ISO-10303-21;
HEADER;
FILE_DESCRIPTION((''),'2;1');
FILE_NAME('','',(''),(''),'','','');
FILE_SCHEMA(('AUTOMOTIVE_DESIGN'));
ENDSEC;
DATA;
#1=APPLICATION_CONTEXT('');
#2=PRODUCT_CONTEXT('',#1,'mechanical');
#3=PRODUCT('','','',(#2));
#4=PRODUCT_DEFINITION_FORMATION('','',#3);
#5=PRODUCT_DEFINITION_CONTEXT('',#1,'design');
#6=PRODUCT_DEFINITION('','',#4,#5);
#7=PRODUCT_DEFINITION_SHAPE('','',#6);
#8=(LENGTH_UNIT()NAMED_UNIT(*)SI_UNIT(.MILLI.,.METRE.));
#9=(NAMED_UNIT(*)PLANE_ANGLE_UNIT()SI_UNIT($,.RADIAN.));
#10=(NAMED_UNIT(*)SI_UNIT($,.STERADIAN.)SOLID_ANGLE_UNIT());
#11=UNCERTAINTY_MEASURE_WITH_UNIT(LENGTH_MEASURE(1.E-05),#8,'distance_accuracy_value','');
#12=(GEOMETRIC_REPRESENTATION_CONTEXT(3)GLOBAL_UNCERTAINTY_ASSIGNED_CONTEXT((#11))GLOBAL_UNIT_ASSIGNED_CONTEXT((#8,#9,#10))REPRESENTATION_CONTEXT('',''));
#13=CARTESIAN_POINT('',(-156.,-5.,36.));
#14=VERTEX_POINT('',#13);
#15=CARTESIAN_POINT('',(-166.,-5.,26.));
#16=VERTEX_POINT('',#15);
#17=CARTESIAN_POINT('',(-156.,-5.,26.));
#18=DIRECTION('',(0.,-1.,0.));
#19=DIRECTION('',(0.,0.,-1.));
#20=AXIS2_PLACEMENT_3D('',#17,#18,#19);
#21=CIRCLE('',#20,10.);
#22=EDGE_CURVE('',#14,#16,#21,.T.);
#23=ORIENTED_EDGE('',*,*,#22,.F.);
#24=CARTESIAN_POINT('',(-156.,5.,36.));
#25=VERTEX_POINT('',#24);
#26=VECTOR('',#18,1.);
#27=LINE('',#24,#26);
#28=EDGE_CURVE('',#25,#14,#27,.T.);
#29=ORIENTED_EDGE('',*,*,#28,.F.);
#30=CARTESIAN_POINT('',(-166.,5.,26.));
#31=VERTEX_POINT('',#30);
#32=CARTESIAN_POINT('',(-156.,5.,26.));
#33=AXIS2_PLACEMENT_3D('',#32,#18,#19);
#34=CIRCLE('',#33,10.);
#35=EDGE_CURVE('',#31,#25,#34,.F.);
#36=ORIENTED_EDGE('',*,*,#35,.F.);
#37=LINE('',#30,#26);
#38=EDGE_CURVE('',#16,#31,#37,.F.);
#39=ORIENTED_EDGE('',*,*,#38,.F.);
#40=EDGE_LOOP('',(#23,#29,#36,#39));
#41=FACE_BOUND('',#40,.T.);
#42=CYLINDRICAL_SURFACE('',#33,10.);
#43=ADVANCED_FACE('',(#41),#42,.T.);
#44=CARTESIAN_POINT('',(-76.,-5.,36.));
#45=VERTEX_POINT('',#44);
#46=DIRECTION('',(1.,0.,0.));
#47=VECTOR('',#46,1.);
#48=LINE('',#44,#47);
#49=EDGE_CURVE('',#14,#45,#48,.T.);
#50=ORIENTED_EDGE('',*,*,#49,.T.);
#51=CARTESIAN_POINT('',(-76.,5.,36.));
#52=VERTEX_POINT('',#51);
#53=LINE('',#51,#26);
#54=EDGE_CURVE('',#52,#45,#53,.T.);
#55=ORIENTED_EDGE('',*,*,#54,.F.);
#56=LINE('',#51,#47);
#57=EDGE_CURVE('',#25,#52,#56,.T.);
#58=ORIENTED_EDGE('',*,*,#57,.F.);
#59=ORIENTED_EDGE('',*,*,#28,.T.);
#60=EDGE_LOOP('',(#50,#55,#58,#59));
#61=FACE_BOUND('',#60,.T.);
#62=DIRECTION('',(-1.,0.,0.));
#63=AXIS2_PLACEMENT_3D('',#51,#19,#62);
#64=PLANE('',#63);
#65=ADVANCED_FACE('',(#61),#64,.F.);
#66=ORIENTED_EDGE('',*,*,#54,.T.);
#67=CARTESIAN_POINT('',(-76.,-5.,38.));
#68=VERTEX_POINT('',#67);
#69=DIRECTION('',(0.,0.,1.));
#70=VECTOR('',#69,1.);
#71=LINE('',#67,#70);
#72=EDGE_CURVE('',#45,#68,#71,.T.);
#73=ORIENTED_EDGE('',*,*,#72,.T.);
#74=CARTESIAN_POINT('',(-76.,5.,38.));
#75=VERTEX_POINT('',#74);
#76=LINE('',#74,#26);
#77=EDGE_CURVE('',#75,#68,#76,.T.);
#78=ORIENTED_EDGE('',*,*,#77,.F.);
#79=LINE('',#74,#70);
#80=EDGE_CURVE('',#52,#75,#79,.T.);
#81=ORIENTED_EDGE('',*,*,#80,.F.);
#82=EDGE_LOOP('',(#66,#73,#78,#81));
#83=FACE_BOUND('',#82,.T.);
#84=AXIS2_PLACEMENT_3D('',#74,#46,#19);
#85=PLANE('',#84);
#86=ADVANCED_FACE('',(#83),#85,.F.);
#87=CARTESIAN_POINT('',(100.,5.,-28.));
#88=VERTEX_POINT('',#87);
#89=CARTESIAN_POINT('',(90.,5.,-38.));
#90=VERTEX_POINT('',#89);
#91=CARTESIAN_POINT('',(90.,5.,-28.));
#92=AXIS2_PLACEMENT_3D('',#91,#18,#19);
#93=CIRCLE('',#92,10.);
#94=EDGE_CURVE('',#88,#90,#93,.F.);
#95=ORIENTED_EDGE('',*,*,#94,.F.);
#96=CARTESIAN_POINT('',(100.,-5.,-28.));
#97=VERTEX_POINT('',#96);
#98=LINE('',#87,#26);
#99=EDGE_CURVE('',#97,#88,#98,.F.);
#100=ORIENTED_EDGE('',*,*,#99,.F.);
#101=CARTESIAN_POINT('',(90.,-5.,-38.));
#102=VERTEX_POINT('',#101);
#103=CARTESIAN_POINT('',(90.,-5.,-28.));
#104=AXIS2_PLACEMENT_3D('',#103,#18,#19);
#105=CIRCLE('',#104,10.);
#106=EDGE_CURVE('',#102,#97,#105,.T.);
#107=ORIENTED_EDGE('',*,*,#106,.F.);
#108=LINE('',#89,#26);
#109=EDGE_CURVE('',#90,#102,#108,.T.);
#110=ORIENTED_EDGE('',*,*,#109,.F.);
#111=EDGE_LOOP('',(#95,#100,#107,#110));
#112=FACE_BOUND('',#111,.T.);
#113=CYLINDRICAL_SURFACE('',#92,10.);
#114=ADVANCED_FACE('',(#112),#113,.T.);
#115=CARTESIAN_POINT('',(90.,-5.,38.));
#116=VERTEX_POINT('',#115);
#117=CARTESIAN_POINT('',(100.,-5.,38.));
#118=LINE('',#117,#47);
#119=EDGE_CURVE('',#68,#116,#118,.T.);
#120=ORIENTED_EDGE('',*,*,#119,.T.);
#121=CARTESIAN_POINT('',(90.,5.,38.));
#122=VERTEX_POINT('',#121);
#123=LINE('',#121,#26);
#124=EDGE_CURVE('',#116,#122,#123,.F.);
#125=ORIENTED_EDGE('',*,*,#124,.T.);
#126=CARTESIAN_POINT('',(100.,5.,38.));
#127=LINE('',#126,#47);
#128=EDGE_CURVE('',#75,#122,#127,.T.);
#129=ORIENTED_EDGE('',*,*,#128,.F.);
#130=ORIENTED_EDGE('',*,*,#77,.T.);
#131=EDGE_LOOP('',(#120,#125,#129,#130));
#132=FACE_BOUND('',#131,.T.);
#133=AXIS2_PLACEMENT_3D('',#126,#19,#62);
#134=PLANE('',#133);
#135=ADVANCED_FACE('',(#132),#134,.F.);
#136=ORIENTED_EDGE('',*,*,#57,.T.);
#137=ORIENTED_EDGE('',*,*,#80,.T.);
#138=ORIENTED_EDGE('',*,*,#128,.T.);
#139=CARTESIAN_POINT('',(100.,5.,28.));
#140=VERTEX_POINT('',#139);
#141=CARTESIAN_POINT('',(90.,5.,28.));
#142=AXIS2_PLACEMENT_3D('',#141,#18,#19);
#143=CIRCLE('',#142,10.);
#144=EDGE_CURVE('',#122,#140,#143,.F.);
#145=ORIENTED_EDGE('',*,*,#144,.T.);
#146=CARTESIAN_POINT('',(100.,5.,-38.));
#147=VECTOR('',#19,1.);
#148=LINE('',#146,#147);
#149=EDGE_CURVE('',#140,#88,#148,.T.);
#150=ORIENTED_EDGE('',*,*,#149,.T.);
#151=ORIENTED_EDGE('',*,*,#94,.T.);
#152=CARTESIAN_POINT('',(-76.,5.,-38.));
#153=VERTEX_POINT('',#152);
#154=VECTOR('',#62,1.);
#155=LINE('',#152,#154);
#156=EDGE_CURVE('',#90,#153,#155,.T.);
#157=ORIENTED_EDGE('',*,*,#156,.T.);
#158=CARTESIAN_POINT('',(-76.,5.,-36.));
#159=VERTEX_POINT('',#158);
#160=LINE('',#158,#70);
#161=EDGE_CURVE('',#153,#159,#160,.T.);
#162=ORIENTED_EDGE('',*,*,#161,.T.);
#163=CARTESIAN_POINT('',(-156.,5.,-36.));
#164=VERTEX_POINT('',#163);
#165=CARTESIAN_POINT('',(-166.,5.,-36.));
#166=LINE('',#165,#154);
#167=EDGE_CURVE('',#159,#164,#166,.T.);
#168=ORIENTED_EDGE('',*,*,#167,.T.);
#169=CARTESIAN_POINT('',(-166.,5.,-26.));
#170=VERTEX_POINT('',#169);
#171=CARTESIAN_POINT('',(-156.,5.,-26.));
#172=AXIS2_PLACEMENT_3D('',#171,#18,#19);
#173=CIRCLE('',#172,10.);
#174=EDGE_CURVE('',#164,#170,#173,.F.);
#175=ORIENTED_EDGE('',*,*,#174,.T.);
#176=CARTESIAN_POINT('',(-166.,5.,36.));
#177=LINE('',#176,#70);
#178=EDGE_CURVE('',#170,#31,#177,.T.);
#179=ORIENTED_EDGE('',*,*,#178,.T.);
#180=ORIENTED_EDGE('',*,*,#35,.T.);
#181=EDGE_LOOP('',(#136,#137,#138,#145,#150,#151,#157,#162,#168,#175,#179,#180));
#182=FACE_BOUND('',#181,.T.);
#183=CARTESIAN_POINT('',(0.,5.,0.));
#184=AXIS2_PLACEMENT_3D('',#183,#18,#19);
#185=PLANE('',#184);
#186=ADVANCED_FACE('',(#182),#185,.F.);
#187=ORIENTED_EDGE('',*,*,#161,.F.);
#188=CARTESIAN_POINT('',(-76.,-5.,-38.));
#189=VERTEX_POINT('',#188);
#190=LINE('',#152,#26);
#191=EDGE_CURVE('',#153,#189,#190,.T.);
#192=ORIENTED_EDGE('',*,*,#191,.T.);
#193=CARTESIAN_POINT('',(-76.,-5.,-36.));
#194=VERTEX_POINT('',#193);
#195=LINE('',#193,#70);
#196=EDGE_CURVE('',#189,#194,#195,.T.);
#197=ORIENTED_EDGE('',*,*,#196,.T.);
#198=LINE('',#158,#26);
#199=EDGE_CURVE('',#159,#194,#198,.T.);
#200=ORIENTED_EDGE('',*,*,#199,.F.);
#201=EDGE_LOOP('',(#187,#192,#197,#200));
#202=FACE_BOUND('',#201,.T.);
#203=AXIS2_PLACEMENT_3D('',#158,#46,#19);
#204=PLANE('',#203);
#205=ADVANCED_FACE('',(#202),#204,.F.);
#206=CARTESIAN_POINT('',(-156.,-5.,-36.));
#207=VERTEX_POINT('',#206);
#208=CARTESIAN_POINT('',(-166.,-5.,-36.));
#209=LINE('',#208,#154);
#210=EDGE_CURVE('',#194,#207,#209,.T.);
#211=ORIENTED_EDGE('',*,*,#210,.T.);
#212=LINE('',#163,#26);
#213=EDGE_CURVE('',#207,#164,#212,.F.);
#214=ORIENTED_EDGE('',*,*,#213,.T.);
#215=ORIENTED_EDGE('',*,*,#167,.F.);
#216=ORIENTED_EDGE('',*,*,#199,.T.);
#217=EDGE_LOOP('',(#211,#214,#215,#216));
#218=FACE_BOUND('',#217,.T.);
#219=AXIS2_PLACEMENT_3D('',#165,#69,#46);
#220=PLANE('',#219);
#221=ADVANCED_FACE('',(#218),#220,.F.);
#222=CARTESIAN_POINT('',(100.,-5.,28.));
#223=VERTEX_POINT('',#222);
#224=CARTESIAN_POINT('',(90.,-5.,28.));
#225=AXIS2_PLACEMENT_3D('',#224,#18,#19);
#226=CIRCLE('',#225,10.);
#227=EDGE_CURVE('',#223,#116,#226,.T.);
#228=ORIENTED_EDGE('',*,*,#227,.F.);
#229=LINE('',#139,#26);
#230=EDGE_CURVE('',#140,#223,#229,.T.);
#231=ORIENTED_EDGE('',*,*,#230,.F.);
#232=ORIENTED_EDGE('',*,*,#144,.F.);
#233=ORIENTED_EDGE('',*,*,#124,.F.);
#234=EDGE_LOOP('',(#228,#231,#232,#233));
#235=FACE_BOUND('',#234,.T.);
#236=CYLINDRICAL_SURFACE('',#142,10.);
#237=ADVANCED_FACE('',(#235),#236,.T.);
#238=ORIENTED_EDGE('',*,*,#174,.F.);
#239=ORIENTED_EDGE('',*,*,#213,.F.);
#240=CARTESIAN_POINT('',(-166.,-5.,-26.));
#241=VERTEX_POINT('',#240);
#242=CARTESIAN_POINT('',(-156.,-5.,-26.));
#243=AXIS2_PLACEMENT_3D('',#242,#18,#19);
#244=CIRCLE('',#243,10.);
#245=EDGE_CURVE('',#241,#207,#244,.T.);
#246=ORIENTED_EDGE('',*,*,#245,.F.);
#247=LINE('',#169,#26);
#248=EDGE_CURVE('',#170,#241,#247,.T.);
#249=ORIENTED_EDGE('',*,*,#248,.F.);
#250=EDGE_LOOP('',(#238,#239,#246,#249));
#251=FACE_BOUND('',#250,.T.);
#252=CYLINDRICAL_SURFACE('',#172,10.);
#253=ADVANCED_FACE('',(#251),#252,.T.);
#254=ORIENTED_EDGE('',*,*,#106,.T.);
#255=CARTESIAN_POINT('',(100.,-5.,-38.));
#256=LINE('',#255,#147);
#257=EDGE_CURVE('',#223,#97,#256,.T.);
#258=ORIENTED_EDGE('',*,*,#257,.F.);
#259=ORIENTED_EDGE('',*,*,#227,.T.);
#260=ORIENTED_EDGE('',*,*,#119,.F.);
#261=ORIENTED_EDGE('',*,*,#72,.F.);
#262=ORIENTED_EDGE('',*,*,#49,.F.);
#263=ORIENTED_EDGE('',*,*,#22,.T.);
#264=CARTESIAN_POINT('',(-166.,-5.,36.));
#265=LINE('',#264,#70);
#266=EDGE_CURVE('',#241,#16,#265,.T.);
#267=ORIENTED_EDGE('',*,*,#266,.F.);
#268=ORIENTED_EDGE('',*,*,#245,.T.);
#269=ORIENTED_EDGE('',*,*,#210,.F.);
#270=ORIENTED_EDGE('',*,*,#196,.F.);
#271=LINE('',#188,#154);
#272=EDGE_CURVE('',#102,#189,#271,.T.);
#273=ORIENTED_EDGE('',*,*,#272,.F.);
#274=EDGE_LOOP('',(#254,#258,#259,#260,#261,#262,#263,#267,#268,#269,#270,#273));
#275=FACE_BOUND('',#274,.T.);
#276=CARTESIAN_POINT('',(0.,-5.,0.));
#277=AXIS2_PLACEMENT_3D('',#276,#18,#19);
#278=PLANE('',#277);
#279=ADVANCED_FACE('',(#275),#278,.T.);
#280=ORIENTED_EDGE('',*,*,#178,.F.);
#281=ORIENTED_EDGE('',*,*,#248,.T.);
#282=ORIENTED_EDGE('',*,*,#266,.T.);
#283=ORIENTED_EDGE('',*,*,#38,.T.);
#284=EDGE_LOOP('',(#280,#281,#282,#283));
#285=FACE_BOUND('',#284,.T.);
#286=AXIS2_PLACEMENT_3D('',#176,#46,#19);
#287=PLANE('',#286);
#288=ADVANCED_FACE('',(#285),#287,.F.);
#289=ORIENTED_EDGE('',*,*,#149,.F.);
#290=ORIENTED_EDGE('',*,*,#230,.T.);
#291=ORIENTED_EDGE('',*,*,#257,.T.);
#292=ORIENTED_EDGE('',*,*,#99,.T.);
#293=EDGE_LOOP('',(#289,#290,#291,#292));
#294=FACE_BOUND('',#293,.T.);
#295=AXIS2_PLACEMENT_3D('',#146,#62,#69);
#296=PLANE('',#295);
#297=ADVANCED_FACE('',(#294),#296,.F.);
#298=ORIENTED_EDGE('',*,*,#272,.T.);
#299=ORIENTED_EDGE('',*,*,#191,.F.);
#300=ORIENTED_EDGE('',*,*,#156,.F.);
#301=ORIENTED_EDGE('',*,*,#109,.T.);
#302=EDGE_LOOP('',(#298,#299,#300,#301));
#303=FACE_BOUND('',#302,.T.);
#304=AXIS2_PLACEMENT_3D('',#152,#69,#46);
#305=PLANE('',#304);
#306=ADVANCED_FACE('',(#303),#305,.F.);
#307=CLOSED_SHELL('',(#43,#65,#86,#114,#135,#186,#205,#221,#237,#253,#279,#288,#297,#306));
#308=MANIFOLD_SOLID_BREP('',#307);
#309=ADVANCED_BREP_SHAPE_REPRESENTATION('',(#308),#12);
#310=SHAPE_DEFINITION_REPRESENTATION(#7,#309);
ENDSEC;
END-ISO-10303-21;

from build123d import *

# Parameters (mm, degrees)
EXTRUDE_473_DEPTH = 5
FILLET_R_R        = 10


with BuildPart() as part:
    # ｽｹｯﾁ1 → Extrude 473 (new, symmetric)
    with BuildSketch(Plane(origin=(0, 0, 0), x_dir=(1, 0, 0), z_dir=(0, 1, 0))):
        Polygon((-166, 36), (-76, 36), (-76, 38), (100, 38), (100, -38), (-76, -38), (-76, -36), (-166, -36), align=None)
    extrude(amount=EXTRUDE_473_DEPTH, both=True)

    # 外周 角R
    fillet_r_edges = [part.edges().sort_by_distance(p)[0] for p in [
        (-166, 0, -36),
        (100, 0, -38),
        (100, 0, 38),
        (-166, 0, 36),
    ]]
    fillet(fillet_r_edges, radius=FILLET_R_R)


solid = part.part
